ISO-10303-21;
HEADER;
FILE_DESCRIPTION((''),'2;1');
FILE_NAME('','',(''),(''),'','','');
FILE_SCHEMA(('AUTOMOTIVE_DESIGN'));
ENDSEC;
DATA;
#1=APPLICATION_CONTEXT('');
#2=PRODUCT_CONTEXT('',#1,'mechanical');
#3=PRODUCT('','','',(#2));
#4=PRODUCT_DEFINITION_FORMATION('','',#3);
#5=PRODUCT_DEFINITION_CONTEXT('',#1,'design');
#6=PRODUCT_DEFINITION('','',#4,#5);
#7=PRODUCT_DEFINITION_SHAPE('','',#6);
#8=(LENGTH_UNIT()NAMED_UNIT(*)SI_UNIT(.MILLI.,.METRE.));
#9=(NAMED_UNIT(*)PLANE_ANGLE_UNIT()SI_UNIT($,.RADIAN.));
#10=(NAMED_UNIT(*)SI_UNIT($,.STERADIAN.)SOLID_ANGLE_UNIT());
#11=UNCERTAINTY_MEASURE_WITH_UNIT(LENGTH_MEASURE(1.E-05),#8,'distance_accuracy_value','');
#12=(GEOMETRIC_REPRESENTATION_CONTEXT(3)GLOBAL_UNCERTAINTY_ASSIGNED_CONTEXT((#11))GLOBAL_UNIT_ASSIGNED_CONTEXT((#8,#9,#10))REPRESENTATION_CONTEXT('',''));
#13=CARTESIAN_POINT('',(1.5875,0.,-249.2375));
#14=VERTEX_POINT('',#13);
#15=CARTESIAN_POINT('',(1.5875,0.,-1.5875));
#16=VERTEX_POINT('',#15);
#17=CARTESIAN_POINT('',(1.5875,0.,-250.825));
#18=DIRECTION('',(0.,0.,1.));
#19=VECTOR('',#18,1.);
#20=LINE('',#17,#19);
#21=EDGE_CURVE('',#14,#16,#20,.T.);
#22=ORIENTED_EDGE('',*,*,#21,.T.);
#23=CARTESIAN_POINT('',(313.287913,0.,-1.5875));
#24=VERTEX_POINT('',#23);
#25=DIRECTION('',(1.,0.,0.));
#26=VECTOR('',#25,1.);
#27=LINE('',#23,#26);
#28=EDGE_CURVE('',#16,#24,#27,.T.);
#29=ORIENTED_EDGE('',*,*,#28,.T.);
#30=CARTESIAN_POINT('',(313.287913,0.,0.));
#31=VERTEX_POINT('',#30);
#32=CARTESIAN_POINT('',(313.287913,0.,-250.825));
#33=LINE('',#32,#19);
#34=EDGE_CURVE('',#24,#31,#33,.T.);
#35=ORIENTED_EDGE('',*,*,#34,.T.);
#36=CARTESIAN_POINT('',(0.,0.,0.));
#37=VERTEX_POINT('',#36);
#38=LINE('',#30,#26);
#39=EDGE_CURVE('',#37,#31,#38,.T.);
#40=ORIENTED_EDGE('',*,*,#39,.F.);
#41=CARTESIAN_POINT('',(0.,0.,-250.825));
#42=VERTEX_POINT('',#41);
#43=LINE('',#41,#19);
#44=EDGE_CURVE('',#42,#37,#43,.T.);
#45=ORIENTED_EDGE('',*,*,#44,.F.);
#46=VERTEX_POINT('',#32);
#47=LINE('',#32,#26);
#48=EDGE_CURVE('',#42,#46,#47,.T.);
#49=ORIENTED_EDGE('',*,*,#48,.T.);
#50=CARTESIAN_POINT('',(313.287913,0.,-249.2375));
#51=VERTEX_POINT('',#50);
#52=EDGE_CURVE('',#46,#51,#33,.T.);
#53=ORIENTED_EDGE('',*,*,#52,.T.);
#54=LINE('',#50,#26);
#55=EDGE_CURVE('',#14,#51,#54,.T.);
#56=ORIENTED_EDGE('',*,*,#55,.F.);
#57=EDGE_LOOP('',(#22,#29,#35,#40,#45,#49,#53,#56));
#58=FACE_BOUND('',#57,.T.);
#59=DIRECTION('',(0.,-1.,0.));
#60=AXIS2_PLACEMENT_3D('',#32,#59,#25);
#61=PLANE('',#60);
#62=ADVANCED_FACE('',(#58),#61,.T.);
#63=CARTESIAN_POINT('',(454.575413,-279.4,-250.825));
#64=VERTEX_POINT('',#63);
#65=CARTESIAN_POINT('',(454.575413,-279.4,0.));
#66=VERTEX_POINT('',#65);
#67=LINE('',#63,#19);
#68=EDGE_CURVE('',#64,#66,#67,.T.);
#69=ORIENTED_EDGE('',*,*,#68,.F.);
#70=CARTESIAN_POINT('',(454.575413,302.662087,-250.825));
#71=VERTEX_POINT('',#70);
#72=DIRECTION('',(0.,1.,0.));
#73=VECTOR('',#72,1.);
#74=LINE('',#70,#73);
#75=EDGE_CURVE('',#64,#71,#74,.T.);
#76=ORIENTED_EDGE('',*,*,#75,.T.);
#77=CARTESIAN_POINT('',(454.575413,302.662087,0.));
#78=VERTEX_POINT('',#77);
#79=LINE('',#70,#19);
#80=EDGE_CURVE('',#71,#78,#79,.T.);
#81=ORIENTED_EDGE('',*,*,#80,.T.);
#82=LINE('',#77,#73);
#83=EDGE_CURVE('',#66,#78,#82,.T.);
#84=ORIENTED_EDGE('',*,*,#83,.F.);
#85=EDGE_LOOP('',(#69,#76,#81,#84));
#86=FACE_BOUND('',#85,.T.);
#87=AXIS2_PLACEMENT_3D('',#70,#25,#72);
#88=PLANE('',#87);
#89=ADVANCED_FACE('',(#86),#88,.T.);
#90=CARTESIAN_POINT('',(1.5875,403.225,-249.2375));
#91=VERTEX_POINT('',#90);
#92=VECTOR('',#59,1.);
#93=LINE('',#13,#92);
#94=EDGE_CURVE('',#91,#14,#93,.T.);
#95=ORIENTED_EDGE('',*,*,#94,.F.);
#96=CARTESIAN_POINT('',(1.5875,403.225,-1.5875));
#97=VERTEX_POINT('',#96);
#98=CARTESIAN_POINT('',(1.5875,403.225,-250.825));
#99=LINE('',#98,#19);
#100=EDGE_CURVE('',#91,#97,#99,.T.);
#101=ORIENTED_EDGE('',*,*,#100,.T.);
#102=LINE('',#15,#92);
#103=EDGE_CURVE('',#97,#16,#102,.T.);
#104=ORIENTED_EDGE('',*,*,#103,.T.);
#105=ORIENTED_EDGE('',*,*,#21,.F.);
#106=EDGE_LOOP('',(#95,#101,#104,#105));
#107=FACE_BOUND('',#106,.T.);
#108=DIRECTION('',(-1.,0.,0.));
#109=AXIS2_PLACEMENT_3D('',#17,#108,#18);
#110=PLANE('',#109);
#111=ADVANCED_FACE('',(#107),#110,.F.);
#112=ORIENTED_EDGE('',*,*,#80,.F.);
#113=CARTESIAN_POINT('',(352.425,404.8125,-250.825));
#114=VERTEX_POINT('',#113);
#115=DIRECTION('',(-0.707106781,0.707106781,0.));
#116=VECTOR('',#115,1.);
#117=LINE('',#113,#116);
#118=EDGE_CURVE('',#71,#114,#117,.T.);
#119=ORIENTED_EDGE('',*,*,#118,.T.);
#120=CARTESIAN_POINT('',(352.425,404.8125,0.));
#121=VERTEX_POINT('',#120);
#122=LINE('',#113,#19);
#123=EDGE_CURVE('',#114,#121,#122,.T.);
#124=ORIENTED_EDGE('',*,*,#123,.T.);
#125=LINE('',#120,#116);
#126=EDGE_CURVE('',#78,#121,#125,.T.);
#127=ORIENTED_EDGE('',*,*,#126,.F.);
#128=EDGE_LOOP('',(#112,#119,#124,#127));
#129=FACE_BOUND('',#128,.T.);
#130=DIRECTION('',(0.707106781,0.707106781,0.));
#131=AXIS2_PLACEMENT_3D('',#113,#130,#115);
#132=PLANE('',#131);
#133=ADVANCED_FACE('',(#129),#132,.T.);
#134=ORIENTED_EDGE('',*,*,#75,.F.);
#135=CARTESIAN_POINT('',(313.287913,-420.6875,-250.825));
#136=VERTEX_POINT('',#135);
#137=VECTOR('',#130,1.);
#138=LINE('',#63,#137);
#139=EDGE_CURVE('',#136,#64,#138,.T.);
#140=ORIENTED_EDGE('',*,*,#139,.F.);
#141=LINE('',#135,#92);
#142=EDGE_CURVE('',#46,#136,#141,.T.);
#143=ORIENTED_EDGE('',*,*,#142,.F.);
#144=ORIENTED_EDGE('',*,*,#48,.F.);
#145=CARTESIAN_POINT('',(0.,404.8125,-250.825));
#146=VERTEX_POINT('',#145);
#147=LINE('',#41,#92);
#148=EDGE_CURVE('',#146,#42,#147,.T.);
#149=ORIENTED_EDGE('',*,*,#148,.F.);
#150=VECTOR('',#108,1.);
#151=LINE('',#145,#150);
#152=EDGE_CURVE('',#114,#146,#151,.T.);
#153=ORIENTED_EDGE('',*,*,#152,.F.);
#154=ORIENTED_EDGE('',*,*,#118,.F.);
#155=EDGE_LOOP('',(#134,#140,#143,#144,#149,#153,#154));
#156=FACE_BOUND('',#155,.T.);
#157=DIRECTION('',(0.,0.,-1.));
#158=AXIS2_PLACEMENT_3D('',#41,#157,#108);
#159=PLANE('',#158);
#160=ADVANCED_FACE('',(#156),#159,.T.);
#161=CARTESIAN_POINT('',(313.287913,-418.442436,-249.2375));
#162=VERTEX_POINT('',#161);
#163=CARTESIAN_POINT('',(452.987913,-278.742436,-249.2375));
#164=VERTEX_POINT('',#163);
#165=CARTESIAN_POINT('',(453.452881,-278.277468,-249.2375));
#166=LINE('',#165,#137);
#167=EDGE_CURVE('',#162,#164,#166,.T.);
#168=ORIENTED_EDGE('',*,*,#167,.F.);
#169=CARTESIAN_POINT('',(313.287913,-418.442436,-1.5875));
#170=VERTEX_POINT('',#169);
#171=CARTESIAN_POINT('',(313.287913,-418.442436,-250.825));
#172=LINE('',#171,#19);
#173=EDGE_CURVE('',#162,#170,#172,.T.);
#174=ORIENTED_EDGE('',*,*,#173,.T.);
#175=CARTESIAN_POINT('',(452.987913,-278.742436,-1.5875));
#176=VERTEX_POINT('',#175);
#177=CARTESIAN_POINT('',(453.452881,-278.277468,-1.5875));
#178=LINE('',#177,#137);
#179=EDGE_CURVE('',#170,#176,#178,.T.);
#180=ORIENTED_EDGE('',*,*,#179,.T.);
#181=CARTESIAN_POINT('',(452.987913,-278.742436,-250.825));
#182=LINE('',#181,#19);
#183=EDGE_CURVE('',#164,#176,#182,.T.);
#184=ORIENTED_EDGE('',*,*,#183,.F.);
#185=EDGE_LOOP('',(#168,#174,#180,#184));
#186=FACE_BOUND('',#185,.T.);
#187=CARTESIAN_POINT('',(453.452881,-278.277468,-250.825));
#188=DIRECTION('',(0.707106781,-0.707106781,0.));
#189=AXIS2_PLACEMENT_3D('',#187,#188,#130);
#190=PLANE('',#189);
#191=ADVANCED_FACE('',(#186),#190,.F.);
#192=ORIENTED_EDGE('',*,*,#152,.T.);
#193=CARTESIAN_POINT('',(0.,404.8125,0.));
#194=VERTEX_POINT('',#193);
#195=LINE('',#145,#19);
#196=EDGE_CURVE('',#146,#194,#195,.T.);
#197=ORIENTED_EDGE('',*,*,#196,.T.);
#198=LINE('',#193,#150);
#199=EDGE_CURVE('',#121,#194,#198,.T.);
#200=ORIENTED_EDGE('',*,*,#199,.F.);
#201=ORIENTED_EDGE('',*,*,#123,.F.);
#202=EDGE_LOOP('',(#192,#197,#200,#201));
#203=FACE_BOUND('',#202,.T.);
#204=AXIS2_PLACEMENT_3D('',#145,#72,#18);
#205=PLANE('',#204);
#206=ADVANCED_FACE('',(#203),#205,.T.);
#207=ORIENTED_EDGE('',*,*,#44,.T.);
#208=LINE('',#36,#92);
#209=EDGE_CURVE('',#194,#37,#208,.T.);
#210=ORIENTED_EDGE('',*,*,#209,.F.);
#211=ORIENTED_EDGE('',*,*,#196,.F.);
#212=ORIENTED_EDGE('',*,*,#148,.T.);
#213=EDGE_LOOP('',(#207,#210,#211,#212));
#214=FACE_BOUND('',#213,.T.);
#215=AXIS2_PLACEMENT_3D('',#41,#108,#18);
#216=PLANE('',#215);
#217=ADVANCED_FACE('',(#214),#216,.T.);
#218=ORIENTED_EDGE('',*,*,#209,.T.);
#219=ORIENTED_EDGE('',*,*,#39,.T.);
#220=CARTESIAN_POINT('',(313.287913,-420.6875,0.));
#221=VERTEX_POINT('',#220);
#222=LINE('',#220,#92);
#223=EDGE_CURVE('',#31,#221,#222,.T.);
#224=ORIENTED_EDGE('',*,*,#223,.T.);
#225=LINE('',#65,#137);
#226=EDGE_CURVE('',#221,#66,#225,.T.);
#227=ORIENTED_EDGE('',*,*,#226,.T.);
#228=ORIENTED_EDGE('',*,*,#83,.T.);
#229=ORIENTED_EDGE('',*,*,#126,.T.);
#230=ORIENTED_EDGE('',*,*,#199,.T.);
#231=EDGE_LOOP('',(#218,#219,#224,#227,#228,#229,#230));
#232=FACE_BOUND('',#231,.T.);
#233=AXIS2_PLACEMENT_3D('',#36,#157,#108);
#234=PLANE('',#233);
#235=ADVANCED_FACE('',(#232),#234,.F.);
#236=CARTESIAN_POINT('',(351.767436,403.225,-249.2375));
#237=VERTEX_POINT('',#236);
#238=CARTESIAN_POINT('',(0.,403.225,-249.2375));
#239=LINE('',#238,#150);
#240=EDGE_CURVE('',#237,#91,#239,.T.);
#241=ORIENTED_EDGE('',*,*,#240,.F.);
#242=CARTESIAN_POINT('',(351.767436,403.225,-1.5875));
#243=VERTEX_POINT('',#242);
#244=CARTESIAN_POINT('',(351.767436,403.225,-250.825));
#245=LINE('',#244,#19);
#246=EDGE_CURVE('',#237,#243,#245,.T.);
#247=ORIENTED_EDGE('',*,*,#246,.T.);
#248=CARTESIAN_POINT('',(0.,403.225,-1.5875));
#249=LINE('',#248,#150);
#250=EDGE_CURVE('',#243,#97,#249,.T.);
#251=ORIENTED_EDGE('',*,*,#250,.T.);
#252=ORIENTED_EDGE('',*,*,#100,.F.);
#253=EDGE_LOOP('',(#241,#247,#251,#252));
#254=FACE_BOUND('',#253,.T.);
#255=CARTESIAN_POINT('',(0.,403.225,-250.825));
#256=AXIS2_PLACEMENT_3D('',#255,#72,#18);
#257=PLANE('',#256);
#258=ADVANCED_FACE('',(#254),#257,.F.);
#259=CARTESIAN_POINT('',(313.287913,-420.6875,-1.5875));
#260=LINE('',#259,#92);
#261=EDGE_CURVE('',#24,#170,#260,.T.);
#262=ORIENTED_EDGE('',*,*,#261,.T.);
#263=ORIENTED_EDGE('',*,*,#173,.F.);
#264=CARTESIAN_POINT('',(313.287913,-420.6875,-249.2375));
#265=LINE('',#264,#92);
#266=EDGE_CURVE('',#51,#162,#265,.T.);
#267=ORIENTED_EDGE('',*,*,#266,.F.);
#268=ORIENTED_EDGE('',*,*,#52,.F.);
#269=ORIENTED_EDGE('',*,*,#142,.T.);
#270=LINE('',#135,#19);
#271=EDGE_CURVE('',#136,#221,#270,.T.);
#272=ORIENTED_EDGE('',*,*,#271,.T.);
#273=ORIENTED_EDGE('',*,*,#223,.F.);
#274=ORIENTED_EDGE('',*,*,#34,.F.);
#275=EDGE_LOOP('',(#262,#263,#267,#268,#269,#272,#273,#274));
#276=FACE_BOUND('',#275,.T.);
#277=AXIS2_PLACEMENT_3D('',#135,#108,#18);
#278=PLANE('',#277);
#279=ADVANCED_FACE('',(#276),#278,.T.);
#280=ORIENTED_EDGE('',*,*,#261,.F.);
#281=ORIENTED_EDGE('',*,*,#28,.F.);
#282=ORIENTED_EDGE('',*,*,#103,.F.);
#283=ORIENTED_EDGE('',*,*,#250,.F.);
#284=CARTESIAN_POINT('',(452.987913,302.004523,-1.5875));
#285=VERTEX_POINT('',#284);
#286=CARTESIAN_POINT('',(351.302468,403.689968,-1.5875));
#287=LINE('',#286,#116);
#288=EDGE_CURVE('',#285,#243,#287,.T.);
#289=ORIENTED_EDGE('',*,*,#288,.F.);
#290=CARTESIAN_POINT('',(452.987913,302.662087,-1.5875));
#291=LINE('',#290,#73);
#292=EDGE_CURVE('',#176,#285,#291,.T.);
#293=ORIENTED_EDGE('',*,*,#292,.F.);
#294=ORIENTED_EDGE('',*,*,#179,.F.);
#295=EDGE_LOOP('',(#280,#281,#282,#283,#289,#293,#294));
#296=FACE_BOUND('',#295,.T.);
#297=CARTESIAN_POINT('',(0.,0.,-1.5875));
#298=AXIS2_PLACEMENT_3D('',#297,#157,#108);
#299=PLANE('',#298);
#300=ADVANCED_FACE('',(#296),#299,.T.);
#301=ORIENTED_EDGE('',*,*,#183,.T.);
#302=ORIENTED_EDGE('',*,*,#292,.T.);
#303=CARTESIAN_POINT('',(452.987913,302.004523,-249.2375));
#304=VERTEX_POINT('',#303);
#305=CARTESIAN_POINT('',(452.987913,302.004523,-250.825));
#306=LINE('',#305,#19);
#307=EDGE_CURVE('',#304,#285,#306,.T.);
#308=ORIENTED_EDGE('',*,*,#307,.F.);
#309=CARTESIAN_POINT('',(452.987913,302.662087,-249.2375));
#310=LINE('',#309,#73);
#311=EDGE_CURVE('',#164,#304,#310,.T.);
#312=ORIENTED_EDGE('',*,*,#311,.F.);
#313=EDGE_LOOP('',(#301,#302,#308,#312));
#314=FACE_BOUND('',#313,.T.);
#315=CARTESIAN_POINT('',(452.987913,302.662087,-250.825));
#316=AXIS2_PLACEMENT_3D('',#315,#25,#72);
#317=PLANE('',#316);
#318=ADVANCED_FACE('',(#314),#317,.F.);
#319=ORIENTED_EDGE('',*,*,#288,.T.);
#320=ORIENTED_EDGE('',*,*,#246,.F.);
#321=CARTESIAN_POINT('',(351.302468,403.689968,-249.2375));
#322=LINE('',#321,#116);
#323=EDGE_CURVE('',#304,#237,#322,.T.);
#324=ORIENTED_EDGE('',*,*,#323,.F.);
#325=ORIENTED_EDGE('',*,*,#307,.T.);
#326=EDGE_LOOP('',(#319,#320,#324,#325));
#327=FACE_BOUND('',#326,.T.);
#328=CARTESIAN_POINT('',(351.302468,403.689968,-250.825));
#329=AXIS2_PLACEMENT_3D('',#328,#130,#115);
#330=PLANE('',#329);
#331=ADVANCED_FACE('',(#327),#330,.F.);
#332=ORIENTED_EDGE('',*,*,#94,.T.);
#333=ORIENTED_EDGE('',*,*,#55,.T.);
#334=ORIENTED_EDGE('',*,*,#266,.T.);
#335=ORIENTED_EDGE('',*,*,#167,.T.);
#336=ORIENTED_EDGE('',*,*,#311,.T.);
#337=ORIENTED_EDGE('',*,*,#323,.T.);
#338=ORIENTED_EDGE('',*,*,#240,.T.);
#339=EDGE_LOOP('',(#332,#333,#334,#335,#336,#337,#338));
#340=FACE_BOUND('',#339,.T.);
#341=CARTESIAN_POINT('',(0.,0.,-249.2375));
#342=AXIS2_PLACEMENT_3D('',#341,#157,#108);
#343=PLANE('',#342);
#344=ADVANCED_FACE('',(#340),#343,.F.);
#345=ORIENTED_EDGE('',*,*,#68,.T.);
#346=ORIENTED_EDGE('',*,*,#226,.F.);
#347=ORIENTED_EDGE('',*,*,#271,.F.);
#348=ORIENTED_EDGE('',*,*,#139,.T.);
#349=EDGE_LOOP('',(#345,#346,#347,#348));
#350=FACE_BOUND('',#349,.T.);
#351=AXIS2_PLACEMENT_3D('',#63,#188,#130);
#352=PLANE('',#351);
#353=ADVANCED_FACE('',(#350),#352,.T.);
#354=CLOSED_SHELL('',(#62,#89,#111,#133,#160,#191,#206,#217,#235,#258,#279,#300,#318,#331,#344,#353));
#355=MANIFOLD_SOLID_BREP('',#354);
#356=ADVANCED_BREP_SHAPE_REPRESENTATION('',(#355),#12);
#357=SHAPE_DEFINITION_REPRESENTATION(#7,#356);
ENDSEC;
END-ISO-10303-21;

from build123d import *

# Parameters (mm, degrees)
BOSS_EXTRUDE1_DEPTH = 250.825
SHELL1_T            = -1.5875


with BuildPart() as part:
    # Sketch1 → Boss-Extrude1 (new body)
    with BuildSketch(Plane.XY):
        Polygon((0, 0), (0, 404.8125), (352.425, 404.8125), (454.575413377, 302.662086623), (454.575413377, -279.4), (313.287913377, -420.6875), (313.287913377, 0), align=None)
    extrude(amount=-BOSS_EXTRUDE1_DEPTH)

    # Shell1
    shell1_openings = [part.faces().sort_by_distance(p)[0] for p in [
        (313.287913377, -210.34375, -125.4125),
        (156.643956689, 0, -125.4125),
    ]]
    offset(amount=SHELL1_T, openings=shell1_openings, kind=Kind.INTERSECTION)


solid = part.part
